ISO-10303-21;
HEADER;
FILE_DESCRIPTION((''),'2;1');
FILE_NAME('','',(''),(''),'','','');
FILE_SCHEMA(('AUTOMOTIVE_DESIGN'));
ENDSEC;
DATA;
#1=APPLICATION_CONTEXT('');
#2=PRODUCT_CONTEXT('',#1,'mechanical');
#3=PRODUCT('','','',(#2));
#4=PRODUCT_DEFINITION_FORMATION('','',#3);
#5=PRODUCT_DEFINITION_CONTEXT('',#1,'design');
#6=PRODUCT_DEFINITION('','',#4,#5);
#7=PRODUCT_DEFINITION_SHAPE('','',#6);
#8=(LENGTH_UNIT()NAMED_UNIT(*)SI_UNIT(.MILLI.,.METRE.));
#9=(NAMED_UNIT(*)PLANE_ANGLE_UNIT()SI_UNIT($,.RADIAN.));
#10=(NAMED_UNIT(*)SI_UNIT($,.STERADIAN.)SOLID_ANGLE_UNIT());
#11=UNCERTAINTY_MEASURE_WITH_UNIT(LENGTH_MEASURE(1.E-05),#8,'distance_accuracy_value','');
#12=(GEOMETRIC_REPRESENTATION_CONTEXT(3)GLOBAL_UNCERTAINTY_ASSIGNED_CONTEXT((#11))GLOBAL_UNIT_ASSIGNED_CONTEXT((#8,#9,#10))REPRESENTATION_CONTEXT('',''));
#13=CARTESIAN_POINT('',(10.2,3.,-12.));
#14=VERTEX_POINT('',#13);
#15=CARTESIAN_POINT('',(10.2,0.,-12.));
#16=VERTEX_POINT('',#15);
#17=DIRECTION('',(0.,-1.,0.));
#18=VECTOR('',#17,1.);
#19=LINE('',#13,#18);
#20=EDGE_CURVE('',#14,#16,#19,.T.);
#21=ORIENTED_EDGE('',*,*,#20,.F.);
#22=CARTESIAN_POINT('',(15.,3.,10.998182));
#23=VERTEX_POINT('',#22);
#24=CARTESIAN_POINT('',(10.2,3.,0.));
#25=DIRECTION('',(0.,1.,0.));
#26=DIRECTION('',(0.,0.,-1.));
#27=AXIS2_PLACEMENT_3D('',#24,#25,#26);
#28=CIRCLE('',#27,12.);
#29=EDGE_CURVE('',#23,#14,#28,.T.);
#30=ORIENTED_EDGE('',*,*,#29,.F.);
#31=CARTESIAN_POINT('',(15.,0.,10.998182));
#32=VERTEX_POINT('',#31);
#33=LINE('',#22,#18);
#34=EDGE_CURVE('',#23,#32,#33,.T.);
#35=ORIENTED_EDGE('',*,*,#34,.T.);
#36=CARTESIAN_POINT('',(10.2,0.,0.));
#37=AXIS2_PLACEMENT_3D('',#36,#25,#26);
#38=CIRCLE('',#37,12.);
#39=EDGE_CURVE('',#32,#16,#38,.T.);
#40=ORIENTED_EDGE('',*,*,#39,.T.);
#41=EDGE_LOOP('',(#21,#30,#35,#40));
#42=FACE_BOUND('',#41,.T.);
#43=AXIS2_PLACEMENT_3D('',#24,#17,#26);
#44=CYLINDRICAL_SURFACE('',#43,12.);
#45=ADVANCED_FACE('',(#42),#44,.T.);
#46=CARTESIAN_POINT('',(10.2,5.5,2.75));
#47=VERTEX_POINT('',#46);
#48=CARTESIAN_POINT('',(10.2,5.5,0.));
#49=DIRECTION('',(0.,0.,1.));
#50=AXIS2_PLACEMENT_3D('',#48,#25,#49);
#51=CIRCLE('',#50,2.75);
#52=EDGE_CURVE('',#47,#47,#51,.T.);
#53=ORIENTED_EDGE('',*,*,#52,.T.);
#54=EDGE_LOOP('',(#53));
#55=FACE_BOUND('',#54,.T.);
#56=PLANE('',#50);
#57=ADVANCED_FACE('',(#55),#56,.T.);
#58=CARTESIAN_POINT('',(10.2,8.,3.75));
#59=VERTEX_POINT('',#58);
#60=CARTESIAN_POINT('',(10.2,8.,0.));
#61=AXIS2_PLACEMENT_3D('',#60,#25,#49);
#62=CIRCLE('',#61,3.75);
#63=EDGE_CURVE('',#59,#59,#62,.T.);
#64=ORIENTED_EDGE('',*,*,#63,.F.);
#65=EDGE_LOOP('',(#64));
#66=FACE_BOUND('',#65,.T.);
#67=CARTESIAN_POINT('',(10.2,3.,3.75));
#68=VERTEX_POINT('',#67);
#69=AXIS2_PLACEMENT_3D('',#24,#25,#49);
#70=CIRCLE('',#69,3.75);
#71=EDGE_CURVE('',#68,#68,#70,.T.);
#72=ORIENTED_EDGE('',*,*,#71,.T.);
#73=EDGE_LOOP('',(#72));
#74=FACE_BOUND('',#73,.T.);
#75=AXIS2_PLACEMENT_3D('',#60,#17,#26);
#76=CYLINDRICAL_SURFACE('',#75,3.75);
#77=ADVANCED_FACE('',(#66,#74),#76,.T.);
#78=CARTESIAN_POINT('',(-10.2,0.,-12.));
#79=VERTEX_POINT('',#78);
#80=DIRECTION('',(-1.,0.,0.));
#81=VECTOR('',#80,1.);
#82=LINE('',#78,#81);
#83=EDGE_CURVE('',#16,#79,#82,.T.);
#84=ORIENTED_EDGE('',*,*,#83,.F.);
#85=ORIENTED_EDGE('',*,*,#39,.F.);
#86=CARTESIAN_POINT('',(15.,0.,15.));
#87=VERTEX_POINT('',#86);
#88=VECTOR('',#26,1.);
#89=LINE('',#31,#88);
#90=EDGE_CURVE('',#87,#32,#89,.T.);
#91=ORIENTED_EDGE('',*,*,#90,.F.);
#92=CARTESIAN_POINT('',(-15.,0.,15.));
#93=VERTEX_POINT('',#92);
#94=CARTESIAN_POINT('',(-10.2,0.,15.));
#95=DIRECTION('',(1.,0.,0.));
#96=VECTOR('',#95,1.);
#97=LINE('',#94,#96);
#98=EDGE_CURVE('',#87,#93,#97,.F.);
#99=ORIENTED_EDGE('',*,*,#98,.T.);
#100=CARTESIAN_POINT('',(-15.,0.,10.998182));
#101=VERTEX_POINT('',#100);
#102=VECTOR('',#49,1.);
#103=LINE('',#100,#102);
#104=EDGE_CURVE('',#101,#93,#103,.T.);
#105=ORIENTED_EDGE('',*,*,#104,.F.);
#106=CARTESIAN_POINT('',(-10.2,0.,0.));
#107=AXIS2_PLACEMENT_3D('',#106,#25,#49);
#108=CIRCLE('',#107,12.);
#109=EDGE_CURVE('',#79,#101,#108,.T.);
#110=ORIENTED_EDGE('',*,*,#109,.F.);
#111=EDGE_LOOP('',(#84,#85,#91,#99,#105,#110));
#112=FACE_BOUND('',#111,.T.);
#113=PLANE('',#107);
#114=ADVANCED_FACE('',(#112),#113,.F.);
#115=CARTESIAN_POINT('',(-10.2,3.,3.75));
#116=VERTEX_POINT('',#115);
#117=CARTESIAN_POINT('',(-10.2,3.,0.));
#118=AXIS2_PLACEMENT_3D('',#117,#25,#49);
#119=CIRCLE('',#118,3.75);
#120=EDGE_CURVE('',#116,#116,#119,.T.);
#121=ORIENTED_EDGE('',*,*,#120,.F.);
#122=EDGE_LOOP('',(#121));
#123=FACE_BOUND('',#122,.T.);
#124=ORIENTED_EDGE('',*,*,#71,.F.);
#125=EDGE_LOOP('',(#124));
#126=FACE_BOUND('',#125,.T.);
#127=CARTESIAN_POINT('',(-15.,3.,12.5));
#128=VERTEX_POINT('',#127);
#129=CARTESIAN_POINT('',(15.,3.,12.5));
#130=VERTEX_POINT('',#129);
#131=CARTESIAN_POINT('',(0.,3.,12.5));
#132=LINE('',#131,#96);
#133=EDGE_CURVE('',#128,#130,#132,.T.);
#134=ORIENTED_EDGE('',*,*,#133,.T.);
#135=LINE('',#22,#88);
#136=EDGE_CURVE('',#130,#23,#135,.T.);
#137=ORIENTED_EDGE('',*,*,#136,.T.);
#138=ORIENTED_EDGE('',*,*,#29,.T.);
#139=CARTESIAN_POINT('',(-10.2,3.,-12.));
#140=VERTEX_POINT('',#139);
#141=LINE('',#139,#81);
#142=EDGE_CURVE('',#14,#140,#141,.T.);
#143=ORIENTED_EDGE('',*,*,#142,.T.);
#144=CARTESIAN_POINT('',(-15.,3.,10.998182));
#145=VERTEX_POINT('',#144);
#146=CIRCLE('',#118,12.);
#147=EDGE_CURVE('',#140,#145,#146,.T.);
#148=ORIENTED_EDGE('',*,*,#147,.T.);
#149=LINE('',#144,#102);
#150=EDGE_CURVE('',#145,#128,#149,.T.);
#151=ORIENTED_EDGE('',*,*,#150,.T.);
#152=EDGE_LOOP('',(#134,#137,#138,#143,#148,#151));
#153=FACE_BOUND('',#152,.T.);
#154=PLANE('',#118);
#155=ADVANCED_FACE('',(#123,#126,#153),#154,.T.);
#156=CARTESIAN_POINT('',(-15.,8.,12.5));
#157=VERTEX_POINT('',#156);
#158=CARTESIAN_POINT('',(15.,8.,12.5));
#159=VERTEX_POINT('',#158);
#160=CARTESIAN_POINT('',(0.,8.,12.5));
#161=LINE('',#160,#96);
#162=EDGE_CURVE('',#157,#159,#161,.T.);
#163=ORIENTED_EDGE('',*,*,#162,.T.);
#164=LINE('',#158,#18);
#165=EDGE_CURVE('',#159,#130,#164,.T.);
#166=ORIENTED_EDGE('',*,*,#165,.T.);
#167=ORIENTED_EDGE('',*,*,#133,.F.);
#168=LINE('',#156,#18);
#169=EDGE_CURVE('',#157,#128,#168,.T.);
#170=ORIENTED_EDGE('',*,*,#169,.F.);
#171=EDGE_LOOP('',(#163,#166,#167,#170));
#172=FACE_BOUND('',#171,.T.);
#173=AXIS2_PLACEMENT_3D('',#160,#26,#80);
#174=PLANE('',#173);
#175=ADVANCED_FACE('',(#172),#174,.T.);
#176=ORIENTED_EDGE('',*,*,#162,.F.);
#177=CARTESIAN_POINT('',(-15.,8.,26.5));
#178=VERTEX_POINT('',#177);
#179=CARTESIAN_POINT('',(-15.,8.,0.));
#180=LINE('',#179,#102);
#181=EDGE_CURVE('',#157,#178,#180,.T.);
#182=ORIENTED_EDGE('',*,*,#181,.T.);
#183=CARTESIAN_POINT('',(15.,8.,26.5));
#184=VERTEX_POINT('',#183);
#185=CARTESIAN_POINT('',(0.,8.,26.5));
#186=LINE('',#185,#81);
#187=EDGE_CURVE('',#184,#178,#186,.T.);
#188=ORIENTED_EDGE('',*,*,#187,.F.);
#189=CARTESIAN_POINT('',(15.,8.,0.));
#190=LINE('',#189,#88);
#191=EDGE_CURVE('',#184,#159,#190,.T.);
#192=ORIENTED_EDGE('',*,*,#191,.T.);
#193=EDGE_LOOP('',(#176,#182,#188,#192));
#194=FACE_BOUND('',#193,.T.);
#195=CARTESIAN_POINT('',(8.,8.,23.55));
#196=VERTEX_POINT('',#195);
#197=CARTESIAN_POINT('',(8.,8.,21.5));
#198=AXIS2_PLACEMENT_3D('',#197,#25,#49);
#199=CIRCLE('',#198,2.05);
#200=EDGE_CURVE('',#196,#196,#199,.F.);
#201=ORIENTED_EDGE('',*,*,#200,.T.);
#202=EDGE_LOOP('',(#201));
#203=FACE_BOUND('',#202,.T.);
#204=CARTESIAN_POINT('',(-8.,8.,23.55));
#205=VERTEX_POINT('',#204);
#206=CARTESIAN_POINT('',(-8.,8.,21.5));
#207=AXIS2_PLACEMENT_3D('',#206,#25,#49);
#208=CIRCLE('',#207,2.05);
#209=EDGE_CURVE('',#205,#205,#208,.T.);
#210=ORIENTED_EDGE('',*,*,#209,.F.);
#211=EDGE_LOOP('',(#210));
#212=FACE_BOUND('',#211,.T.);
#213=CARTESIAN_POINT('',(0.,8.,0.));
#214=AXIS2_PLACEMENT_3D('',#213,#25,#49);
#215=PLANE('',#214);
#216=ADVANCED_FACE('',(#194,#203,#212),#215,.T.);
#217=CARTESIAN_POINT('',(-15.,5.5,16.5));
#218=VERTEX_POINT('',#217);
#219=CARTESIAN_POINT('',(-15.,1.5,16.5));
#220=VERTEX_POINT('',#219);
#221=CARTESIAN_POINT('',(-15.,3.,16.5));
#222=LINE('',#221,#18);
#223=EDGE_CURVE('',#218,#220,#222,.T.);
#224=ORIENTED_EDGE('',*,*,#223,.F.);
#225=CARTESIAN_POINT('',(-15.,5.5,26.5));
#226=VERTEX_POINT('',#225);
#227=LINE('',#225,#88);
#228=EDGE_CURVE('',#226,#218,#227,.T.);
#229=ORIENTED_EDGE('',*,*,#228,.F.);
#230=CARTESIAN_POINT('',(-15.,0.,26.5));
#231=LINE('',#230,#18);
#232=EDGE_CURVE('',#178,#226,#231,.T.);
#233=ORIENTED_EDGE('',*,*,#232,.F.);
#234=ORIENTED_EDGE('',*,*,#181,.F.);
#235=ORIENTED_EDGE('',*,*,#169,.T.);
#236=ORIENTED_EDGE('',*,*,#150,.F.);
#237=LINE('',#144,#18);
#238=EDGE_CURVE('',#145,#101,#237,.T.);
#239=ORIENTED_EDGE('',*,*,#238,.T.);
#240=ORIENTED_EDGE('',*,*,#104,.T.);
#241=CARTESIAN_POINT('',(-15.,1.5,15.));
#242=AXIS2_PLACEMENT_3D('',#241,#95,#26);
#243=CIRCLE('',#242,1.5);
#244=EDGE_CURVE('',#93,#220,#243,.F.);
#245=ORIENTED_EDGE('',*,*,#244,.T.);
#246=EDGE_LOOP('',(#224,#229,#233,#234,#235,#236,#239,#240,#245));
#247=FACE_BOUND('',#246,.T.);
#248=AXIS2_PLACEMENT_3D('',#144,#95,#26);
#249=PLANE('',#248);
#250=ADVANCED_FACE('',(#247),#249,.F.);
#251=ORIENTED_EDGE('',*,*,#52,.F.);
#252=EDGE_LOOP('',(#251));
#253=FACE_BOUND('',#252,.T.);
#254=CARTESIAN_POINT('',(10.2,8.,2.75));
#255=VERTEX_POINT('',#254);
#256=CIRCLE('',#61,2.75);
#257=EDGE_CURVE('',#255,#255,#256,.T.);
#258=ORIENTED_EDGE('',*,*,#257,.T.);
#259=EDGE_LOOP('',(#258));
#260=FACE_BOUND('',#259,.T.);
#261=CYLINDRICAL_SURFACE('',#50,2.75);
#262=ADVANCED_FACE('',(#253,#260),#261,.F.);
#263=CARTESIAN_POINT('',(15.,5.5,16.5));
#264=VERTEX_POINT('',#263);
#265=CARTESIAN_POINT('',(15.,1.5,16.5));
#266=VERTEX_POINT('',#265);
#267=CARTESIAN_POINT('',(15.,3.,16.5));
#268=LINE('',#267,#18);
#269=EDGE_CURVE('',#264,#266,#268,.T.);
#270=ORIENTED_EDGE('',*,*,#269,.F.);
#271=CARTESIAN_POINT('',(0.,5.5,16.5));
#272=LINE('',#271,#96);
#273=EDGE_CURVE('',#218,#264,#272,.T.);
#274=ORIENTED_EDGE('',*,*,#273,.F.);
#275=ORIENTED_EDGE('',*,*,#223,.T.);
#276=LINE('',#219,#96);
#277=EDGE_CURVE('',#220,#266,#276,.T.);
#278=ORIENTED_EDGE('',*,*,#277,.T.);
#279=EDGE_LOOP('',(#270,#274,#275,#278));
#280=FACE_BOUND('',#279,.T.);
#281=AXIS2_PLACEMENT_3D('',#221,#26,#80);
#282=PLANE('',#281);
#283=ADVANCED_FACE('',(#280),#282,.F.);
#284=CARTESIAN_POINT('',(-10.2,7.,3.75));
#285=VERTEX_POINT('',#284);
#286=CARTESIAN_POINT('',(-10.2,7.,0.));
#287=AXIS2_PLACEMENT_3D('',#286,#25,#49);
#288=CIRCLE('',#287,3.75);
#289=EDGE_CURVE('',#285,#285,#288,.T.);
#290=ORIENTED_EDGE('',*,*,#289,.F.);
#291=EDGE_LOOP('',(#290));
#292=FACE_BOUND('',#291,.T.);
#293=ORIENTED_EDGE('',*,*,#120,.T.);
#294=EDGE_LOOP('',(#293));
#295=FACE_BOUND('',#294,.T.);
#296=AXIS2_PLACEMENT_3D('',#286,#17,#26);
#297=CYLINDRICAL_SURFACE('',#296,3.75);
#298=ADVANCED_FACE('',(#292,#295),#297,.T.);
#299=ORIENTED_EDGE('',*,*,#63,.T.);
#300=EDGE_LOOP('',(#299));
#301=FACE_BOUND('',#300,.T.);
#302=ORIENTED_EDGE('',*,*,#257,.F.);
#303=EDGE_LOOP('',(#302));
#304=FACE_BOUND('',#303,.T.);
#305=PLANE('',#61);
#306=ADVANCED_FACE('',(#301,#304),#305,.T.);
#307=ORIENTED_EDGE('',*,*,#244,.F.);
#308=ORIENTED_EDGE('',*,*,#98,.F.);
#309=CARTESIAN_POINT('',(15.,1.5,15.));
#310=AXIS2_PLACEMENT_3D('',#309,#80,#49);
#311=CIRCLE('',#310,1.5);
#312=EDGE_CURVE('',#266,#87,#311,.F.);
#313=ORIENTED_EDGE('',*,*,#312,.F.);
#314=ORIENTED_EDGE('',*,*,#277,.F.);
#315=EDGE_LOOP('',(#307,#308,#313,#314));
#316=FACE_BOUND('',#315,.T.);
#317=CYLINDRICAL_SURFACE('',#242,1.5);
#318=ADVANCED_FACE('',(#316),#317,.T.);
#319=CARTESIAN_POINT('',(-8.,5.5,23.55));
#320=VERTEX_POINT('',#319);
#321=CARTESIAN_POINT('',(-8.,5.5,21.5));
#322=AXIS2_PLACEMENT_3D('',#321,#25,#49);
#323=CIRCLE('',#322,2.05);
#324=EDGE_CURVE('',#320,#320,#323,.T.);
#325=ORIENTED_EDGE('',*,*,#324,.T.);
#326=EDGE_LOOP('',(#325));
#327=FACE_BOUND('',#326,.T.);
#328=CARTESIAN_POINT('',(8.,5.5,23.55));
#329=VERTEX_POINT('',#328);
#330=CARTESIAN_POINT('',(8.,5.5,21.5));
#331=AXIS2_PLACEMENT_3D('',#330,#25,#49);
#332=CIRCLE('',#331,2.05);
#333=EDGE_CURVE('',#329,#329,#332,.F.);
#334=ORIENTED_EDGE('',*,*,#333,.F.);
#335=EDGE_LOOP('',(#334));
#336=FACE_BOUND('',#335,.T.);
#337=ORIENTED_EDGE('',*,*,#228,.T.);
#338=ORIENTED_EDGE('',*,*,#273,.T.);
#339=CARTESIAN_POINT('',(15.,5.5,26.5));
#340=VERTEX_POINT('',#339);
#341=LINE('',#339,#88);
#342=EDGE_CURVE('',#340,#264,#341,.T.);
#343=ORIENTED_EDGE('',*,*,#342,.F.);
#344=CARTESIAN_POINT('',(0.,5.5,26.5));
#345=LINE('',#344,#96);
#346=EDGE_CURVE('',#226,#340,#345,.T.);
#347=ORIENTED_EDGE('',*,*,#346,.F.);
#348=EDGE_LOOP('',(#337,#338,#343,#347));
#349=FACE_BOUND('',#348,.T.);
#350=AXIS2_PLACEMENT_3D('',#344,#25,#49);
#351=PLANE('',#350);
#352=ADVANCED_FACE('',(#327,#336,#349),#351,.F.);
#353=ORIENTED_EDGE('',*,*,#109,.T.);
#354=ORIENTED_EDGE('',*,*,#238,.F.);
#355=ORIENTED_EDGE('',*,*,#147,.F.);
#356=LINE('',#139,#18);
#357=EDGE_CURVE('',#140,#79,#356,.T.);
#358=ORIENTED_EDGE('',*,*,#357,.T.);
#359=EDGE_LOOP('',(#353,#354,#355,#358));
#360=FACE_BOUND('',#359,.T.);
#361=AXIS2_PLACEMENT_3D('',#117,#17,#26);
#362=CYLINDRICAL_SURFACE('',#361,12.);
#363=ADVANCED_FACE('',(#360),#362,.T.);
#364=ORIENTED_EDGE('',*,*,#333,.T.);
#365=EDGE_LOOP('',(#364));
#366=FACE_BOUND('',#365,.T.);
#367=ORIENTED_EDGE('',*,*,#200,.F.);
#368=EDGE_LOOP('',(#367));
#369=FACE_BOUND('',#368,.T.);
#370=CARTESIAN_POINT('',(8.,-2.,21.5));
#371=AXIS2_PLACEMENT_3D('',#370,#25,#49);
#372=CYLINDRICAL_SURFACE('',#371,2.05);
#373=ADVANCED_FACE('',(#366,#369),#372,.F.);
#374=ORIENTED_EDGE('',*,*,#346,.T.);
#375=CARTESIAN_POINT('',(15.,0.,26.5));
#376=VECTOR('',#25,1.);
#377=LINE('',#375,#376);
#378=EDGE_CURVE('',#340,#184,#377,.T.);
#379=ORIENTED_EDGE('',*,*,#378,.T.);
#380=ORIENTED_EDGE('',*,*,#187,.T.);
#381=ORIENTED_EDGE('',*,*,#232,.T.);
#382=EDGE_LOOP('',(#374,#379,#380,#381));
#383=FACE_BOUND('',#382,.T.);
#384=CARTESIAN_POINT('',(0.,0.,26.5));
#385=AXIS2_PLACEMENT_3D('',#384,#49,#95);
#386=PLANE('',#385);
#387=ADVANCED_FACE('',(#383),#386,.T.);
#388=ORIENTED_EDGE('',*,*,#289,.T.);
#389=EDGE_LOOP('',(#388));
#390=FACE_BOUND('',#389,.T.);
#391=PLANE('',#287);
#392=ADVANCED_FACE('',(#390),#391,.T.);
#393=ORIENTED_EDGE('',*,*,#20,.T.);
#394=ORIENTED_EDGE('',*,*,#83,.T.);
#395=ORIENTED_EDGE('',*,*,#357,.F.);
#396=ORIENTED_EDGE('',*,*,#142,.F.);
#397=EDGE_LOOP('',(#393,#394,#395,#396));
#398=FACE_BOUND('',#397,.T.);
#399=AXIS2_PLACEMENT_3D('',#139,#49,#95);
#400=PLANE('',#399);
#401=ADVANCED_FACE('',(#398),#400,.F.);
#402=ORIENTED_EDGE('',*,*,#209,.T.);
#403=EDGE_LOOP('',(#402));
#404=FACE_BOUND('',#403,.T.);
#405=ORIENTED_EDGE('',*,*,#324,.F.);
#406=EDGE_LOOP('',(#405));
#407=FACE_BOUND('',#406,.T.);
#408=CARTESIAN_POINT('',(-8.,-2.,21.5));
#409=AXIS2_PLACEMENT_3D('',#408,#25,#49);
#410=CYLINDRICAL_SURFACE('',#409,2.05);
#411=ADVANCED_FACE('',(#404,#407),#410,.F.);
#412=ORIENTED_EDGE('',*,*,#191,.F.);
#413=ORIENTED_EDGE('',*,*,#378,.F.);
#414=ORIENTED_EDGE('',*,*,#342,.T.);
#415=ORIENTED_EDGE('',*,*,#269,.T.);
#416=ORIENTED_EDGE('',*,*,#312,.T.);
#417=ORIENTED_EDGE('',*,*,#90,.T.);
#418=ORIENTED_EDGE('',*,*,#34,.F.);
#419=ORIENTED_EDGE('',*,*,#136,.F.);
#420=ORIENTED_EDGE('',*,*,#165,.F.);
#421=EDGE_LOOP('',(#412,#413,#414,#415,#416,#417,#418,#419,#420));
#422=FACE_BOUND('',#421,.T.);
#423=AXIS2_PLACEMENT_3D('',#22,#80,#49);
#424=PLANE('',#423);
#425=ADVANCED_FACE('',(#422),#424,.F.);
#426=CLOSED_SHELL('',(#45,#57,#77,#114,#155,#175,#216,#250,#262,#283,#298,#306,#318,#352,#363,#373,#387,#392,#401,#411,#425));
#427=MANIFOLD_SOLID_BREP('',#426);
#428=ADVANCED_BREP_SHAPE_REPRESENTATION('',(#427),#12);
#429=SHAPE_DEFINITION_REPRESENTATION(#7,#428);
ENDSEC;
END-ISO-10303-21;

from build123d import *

# Parameters (mm, degrees)
BOSS_EXTRU_1_DEPTH      = 3
ESQUISSE2_R             = 3.75
BOSS_EXTRU_2_DEPTH      = 5
ESQUISSE4_W             = 30
ESQUISSE4_H             = 4
BOSS_EXTRU_3_DEPTH      = 5
ESQUISSE5_W             = 30
ESQUISSE5_H             = 2.5
BOSS_EXTRU_4_DEPTH      = 10
ESQUISSE6_R             = 2.05
ENL_V_MAT_EXTRU_3_DEPTH = 10
ESQUISSE7_R             = 2.75
ENL_V_MAT_EXTRU_4_DEPTH = 2.5
ESQUISSE8_R             = 3.75
BOSS_EXTRU_5_DEPTH      = 4
CONG_1_R                = 1.5


with BuildPart() as part:
    # Esquisse1 → Boss.-Extru.1 (new body)
    with BuildSketch(Plane(origin=(0, 0, 0), x_dir=(1, 0, 0), z_dir=(0, 1, 0))):
        with BuildLine():
            Line((-10.2, 12), (10.2, 12))
            ThreePointArc((10.2, 12), (21.946875755, 2.451715724), (15, -10.998181668))
            Line((15, -10.998181668), (15, -16.5))
            Line((15, -16.5), (-15, -16.5))
            Line((-15, -16.5), (-15, -10.998181668))
            ThreePointArc((-15, -10.998181668), (-21.946875755, 2.451715724), (-10.2, 12))
        make_face()
    extrude(amount=BOSS_EXTRU_1_DEPTH)

    # Esquisse2 → Boss.-Extru.2 (add)
    with BuildSketch(Plane(origin=(0, 3, 0), x_dir=(1, 0, 0), z_dir=(0, 1, 0))):
        with Locations(Location((10.2, 0, 0), (0, 0, 270))):
            Circle(ESQUISSE2_R)
    extrude(amount=BOSS_EXTRU_2_DEPTH)

    # Esquisse4 → Boss.-Extru.3 (add)
    with BuildSketch(Plane(origin=(0, 3, 0), x_dir=(1, 0, 0), z_dir=(0, 1, 0))):
        with Locations((0, -14.5)):
            Rectangle(ESQUISSE4_W, ESQUISSE4_H)
    extrude(amount=BOSS_EXTRU_3_DEPTH)

    # Esquisse5 → Boss.-Extru.4 (add)
    with BuildSketch(Plane.XY.offset(16.5)):
        with Locations((0, 6.75)):
            Rectangle(ESQUISSE5_W, ESQUISSE5_H)
    extrude(amount=BOSS_EXTRU_4_DEPTH)

    # Esquisse6 → Enlèv. mat.-Extru.3 (cut)
    with BuildSketch(Plane(origin=(0, 8, 0), x_dir=(1, 0, 0), z_dir=(0, 1, 0))):
        with Locations(Location((8, -21.5, 0), (0, 0, 270))):
            Circle(ESQUISSE6_R)
        with Locations(Location((-8, -21.5, 0), (0, 0, 270))):
            Circle(ESQUISSE6_R)
    extrude(amount=-ENL_V_MAT_EXTRU_3_DEPTH, mode=Mode.SUBTRACT)

    # Esquisse7 → Enlèv. mat.-Extru.4 (cut)
    with BuildSketch(Plane(origin=(0, 8, 0), x_dir=(1, 0, 0), z_dir=(0, 1, 0))):
        with Locations(Location((10.2, 0, 0), (0, 0, 270))):
            Circle(ESQUISSE7_R)
    extrude(amount=-ENL_V_MAT_EXTRU_4_DEPTH, mode=Mode.SUBTRACT)

    # Esquisse8 → Boss.-Extru.5 (add)
    with BuildSketch(Plane(origin=(0, 3, 0), x_dir=(1, 0, 0), z_dir=(0, 1, 0))):
        with Locations(Location((-10.2, 0, 0), (0, 0, 270))):
            Circle(ESQUISSE8_R)
    extrude(amount=BOSS_EXTRU_5_DEPTH)

    # Congé1
    cong_1_edges = [part.edges().sort_by_distance(p)[0] for p in [
        (0, 0, 16.5),
    ]]
    fillet(cong_1_edges, radius=CONG_1_R)


solid = part.part
